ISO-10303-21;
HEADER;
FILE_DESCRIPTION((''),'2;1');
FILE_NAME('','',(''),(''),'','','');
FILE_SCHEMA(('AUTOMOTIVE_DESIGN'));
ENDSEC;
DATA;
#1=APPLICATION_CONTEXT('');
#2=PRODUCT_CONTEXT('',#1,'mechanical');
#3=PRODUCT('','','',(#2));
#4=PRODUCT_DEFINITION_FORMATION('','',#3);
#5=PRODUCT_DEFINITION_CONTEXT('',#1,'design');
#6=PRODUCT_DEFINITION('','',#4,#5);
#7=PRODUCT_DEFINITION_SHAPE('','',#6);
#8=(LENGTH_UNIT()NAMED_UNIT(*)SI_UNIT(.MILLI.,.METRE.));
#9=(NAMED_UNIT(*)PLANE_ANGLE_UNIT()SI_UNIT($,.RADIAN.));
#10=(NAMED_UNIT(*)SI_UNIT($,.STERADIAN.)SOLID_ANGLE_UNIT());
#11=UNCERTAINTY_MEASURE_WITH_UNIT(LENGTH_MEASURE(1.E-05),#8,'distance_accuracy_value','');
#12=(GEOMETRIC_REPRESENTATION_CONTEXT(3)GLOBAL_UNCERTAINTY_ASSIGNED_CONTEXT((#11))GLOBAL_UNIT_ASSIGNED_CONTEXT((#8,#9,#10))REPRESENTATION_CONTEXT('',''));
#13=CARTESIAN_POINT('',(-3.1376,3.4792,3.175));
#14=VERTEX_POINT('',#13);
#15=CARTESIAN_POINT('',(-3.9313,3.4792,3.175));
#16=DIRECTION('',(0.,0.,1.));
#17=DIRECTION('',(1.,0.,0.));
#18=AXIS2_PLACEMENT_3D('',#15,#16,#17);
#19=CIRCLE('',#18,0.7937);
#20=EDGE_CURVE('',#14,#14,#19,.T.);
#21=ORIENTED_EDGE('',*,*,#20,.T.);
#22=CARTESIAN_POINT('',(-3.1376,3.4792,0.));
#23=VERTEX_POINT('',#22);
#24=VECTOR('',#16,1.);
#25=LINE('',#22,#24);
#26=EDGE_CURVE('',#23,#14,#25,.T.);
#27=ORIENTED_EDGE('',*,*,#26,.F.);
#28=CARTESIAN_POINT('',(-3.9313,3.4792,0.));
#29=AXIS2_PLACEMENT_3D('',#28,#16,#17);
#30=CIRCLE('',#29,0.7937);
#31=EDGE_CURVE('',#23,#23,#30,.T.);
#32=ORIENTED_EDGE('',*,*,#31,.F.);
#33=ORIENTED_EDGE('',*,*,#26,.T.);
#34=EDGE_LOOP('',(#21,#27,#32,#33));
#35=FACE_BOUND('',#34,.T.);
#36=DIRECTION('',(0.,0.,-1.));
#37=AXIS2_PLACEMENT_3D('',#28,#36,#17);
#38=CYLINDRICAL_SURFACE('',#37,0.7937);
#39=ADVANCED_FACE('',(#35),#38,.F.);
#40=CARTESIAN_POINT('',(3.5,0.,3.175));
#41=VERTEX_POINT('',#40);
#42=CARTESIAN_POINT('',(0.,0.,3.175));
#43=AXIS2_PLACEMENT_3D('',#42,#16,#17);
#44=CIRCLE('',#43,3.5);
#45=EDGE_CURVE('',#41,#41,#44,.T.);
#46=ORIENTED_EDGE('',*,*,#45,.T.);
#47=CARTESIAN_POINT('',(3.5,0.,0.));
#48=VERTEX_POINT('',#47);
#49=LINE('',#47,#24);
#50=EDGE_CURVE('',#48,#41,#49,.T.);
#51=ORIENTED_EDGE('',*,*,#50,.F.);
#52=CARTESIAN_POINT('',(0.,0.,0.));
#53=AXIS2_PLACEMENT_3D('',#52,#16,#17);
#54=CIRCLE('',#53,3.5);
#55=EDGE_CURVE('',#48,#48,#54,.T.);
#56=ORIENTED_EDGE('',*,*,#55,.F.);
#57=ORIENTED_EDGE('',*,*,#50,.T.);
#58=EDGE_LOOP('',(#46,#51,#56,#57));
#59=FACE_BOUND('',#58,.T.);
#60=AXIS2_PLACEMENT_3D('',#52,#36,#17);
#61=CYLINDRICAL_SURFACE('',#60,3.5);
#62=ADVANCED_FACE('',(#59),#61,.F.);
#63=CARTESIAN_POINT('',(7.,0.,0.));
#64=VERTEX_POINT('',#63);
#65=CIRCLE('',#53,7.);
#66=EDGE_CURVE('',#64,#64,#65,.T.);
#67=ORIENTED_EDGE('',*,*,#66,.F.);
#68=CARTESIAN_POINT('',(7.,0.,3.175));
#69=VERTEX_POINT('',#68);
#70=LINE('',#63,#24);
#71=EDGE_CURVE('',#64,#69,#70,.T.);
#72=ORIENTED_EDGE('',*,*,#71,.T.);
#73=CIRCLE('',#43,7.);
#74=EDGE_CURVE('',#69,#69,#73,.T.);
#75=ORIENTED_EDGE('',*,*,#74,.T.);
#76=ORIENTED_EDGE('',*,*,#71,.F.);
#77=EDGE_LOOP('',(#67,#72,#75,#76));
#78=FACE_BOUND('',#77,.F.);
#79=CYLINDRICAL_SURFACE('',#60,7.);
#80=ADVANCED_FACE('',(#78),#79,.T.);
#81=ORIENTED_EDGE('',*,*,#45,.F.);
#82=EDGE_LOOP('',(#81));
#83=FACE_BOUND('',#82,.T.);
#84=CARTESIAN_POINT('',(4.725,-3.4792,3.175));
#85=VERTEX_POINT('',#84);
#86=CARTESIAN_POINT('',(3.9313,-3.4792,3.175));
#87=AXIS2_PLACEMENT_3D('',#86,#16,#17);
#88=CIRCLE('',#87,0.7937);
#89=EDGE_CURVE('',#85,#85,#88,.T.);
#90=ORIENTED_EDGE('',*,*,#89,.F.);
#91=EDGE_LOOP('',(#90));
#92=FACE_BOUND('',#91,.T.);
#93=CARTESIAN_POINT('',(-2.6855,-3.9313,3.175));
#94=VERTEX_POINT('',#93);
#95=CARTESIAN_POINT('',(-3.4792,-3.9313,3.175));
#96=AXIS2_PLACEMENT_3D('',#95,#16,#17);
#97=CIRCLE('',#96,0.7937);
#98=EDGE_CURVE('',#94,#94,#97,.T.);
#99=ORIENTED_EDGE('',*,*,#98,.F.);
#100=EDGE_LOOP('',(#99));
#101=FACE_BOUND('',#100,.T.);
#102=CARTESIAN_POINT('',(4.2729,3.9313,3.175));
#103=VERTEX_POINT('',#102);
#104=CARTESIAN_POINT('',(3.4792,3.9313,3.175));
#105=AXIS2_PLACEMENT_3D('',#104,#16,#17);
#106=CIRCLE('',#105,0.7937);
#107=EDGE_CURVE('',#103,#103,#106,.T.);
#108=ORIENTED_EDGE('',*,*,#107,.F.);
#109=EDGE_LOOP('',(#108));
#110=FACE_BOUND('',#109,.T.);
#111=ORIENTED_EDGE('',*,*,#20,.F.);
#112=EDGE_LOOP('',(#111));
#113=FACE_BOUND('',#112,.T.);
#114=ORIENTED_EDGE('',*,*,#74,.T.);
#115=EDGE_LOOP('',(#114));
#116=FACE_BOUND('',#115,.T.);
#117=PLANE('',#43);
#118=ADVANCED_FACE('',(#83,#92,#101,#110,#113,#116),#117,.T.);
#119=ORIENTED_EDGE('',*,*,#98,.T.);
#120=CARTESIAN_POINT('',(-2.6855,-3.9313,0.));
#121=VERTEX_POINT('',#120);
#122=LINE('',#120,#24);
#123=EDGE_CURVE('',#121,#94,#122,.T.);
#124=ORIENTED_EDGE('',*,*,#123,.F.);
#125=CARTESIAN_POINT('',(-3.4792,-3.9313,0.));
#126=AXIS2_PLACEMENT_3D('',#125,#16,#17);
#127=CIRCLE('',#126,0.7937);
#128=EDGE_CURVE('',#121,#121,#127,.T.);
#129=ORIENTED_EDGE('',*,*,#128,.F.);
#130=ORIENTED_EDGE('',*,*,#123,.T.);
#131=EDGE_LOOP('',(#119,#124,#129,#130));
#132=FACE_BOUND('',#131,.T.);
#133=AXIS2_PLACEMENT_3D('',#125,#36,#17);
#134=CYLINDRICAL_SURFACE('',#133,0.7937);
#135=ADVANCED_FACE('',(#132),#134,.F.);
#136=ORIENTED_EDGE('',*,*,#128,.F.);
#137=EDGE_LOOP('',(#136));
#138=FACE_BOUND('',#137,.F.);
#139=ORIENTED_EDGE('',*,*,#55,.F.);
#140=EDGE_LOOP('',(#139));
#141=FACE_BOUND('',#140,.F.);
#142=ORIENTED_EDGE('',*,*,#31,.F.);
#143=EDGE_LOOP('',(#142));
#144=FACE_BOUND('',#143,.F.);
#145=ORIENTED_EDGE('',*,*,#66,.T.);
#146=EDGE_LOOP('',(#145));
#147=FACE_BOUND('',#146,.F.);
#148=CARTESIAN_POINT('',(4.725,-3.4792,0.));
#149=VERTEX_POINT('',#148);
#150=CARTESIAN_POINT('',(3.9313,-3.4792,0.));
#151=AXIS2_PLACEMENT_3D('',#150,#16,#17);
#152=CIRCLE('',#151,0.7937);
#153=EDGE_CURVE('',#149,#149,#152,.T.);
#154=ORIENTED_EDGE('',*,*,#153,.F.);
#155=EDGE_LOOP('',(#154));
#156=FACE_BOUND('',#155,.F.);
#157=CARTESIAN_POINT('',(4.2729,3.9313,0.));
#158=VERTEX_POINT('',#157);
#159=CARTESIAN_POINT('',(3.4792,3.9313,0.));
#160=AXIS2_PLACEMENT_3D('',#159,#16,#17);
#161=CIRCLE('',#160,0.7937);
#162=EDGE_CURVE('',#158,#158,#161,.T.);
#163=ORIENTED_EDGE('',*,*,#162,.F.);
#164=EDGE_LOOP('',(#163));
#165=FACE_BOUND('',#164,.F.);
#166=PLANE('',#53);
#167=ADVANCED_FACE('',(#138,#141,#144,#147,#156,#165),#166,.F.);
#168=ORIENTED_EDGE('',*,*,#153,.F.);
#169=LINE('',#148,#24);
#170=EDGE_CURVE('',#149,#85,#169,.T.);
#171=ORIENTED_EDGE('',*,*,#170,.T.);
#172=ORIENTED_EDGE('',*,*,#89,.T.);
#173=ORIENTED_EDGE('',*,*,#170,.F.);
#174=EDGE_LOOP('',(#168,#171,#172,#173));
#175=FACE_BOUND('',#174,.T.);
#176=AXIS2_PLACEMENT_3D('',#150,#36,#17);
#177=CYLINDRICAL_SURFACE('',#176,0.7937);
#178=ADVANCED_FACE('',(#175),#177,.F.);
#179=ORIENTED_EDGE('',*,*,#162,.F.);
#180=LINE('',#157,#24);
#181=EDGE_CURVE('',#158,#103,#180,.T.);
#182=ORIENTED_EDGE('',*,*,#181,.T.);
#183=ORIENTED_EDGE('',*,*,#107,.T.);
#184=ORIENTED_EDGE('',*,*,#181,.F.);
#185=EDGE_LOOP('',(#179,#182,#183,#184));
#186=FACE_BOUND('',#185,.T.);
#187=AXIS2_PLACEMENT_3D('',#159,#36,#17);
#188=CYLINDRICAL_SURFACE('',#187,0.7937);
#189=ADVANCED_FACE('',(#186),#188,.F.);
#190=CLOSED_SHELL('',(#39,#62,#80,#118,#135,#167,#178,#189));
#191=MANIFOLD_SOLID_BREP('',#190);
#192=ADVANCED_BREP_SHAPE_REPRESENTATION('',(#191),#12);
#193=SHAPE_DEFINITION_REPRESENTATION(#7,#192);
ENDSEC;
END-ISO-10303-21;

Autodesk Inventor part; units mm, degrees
ref_plane "YZ Plane" through (0, 0, 0) normal (1, 0, 0) x (0, 1, 0)
ref_plane "XZ Plane" through (0, 0, 0) normal (0, 1, 0) x (-1, 0, 0)
ref_plane "XY Plane" through (0, 0, 0) normal (0, 0, 1) x (1, 0, 0)
sketch "Sketch1" plane through (0, 0, 0) normal (0, 0, 1) x (1, 0, 0)
  circle A0 centre (0, 0) radius 3.5
  circle A1 centre (0, 0) radius 7
  circle A2 centre (3.9313, -3.4792) radius 0.7937
  circle A3 centre (3.4792, 3.9313) radius 0.7937
  circle A4 centre (-3.9313, 3.4792) radius 0.7937
  circle A5 centre (-3.4792, -3.9313) radius 0.7937
  dimension "d0" = 7
  dimension "d1" = 14
  dimension "d2" = 1.5875
  dimension "d3" = 0.956
  dimension "d6" = 360
  dimension "d10" = 0.956
  dimension "d11" = 0.956
  dimension "d12" = 0.956
  dimension "d13" = 5.8368
  dimension "d14" = 5.8368
  dimension "d15" = 5.8368
extrude "Extrusion1" add sketch "Sketch1" along normal blind 3.175
properties part number "gear ring"
